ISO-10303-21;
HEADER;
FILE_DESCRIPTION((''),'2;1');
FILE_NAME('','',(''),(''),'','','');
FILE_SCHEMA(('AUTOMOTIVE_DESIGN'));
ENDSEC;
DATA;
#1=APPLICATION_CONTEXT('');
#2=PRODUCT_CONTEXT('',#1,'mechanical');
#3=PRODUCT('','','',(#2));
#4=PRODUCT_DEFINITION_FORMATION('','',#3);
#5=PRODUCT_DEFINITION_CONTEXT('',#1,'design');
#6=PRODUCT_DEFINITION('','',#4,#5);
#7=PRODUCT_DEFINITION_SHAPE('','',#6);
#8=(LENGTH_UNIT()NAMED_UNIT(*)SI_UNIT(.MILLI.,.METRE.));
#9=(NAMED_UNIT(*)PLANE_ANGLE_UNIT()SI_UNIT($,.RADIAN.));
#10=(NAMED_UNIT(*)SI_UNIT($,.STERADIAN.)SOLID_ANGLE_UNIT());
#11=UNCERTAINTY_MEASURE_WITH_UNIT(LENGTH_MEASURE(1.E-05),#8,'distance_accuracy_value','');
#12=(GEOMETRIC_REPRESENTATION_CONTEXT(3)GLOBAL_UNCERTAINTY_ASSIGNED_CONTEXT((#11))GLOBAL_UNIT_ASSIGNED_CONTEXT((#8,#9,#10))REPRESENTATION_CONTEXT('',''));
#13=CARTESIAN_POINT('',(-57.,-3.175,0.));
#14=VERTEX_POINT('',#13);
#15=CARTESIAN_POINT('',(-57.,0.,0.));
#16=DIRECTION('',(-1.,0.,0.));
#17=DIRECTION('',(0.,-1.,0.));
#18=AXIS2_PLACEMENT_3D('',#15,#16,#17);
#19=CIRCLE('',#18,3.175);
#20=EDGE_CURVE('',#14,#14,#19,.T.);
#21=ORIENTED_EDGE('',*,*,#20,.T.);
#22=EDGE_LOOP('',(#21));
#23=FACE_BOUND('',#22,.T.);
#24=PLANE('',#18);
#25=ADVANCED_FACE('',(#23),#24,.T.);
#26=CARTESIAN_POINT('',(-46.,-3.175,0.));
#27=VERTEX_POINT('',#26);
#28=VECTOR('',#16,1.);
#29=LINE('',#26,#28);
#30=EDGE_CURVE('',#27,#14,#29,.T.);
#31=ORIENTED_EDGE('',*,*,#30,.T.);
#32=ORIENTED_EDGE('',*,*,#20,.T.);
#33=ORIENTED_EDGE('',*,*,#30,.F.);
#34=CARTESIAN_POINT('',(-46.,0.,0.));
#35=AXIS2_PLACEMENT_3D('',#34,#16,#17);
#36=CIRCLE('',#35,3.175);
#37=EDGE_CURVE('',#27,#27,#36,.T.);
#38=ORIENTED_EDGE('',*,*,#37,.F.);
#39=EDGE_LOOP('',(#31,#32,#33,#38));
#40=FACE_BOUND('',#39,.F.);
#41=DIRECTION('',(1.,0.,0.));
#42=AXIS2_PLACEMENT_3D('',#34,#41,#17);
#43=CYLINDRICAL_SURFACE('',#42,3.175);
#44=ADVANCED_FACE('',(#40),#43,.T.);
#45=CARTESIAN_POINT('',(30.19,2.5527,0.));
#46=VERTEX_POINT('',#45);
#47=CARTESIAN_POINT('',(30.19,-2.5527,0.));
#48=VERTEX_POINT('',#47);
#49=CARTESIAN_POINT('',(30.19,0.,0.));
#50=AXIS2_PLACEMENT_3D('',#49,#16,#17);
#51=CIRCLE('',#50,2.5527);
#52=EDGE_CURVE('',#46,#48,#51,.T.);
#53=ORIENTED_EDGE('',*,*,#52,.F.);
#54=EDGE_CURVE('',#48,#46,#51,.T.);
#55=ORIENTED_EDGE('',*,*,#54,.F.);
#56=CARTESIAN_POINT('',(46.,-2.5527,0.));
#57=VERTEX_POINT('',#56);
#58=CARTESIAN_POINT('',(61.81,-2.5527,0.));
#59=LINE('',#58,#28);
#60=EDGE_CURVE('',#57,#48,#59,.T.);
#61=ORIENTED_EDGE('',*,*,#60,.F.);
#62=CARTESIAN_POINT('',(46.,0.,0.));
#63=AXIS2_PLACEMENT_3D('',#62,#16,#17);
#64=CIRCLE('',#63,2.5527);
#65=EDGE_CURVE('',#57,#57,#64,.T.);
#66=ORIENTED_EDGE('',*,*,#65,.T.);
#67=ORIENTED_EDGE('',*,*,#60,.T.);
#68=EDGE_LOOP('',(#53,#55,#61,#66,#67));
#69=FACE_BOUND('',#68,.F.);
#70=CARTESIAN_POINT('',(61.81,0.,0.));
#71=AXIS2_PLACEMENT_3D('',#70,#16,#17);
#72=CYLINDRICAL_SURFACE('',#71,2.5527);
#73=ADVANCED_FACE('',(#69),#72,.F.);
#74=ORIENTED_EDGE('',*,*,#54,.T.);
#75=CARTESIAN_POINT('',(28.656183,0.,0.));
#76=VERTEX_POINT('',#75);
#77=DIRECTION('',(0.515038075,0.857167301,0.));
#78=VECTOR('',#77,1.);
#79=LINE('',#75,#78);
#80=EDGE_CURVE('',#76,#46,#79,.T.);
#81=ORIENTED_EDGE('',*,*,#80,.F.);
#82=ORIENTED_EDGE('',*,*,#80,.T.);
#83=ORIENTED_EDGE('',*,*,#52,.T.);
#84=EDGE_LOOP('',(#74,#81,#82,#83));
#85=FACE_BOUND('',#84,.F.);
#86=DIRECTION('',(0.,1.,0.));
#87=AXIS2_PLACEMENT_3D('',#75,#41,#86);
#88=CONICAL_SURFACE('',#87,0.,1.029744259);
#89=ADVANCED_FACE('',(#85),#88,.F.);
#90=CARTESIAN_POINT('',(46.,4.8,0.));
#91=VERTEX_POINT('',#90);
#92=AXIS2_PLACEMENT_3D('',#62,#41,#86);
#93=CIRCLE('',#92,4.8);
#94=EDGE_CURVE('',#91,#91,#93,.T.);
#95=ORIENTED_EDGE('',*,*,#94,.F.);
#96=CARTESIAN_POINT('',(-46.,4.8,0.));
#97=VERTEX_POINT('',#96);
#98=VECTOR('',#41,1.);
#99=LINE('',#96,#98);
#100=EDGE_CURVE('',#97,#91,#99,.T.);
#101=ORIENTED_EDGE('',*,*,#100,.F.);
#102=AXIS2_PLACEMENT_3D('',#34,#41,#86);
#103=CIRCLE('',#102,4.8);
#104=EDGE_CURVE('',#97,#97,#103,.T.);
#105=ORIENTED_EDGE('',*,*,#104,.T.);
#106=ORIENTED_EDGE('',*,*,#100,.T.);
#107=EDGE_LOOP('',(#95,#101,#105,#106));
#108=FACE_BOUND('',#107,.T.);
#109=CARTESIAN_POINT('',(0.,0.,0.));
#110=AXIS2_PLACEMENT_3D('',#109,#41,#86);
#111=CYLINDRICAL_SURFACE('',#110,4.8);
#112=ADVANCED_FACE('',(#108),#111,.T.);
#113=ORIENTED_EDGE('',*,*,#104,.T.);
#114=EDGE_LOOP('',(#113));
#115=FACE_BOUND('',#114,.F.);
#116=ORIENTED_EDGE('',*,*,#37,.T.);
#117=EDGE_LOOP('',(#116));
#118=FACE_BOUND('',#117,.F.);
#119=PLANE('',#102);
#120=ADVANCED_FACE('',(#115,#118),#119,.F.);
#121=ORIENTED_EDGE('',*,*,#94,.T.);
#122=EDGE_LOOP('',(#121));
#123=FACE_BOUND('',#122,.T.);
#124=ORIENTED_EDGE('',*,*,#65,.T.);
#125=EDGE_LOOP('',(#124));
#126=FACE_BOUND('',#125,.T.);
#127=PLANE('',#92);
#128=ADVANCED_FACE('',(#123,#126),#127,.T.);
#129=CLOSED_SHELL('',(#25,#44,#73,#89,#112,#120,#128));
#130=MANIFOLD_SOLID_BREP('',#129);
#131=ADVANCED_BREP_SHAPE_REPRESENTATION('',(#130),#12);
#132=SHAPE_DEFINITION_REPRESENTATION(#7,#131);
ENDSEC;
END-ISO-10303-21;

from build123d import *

# Parameters (mm, degrees)
F0_R     = 4.8
F1_DEPTH = 46
F3_D     = 5.1054
F3_DEPTH = 15.81
F3_TIP   = 1.5338169022
F4_R     = 3.175
F5_DEPTH = 11


with BuildPart() as f1:
    # F0 (on Right) → F1 (new body, symmetric)
    with BuildSketch(Plane.YZ):
        Circle(F0_R)
    extrude(amount=F1_DEPTH, both=True)

    # F3
    with Locations(Plane.YZ.offset(46)):
        with Locations((0, 0)):
            Hole(F3_D / 2, depth=F3_DEPTH)
            with Locations((0, 0, -(F3_DEPTH + F3_TIP / 2))):  # 118° drill point
                Cone(0, F3_D / 2, F3_TIP, mode=Mode.SUBTRACT)

    # F4 (on face) → F5 (join)
    with BuildSketch(Plane(origin=(-46, 0, 0), x_dir=(0, -1, 0), z_dir=(-1, 0, 0))):
        Circle(F4_R)
    extrude(amount=F5_DEPTH)


solid = f1.part
